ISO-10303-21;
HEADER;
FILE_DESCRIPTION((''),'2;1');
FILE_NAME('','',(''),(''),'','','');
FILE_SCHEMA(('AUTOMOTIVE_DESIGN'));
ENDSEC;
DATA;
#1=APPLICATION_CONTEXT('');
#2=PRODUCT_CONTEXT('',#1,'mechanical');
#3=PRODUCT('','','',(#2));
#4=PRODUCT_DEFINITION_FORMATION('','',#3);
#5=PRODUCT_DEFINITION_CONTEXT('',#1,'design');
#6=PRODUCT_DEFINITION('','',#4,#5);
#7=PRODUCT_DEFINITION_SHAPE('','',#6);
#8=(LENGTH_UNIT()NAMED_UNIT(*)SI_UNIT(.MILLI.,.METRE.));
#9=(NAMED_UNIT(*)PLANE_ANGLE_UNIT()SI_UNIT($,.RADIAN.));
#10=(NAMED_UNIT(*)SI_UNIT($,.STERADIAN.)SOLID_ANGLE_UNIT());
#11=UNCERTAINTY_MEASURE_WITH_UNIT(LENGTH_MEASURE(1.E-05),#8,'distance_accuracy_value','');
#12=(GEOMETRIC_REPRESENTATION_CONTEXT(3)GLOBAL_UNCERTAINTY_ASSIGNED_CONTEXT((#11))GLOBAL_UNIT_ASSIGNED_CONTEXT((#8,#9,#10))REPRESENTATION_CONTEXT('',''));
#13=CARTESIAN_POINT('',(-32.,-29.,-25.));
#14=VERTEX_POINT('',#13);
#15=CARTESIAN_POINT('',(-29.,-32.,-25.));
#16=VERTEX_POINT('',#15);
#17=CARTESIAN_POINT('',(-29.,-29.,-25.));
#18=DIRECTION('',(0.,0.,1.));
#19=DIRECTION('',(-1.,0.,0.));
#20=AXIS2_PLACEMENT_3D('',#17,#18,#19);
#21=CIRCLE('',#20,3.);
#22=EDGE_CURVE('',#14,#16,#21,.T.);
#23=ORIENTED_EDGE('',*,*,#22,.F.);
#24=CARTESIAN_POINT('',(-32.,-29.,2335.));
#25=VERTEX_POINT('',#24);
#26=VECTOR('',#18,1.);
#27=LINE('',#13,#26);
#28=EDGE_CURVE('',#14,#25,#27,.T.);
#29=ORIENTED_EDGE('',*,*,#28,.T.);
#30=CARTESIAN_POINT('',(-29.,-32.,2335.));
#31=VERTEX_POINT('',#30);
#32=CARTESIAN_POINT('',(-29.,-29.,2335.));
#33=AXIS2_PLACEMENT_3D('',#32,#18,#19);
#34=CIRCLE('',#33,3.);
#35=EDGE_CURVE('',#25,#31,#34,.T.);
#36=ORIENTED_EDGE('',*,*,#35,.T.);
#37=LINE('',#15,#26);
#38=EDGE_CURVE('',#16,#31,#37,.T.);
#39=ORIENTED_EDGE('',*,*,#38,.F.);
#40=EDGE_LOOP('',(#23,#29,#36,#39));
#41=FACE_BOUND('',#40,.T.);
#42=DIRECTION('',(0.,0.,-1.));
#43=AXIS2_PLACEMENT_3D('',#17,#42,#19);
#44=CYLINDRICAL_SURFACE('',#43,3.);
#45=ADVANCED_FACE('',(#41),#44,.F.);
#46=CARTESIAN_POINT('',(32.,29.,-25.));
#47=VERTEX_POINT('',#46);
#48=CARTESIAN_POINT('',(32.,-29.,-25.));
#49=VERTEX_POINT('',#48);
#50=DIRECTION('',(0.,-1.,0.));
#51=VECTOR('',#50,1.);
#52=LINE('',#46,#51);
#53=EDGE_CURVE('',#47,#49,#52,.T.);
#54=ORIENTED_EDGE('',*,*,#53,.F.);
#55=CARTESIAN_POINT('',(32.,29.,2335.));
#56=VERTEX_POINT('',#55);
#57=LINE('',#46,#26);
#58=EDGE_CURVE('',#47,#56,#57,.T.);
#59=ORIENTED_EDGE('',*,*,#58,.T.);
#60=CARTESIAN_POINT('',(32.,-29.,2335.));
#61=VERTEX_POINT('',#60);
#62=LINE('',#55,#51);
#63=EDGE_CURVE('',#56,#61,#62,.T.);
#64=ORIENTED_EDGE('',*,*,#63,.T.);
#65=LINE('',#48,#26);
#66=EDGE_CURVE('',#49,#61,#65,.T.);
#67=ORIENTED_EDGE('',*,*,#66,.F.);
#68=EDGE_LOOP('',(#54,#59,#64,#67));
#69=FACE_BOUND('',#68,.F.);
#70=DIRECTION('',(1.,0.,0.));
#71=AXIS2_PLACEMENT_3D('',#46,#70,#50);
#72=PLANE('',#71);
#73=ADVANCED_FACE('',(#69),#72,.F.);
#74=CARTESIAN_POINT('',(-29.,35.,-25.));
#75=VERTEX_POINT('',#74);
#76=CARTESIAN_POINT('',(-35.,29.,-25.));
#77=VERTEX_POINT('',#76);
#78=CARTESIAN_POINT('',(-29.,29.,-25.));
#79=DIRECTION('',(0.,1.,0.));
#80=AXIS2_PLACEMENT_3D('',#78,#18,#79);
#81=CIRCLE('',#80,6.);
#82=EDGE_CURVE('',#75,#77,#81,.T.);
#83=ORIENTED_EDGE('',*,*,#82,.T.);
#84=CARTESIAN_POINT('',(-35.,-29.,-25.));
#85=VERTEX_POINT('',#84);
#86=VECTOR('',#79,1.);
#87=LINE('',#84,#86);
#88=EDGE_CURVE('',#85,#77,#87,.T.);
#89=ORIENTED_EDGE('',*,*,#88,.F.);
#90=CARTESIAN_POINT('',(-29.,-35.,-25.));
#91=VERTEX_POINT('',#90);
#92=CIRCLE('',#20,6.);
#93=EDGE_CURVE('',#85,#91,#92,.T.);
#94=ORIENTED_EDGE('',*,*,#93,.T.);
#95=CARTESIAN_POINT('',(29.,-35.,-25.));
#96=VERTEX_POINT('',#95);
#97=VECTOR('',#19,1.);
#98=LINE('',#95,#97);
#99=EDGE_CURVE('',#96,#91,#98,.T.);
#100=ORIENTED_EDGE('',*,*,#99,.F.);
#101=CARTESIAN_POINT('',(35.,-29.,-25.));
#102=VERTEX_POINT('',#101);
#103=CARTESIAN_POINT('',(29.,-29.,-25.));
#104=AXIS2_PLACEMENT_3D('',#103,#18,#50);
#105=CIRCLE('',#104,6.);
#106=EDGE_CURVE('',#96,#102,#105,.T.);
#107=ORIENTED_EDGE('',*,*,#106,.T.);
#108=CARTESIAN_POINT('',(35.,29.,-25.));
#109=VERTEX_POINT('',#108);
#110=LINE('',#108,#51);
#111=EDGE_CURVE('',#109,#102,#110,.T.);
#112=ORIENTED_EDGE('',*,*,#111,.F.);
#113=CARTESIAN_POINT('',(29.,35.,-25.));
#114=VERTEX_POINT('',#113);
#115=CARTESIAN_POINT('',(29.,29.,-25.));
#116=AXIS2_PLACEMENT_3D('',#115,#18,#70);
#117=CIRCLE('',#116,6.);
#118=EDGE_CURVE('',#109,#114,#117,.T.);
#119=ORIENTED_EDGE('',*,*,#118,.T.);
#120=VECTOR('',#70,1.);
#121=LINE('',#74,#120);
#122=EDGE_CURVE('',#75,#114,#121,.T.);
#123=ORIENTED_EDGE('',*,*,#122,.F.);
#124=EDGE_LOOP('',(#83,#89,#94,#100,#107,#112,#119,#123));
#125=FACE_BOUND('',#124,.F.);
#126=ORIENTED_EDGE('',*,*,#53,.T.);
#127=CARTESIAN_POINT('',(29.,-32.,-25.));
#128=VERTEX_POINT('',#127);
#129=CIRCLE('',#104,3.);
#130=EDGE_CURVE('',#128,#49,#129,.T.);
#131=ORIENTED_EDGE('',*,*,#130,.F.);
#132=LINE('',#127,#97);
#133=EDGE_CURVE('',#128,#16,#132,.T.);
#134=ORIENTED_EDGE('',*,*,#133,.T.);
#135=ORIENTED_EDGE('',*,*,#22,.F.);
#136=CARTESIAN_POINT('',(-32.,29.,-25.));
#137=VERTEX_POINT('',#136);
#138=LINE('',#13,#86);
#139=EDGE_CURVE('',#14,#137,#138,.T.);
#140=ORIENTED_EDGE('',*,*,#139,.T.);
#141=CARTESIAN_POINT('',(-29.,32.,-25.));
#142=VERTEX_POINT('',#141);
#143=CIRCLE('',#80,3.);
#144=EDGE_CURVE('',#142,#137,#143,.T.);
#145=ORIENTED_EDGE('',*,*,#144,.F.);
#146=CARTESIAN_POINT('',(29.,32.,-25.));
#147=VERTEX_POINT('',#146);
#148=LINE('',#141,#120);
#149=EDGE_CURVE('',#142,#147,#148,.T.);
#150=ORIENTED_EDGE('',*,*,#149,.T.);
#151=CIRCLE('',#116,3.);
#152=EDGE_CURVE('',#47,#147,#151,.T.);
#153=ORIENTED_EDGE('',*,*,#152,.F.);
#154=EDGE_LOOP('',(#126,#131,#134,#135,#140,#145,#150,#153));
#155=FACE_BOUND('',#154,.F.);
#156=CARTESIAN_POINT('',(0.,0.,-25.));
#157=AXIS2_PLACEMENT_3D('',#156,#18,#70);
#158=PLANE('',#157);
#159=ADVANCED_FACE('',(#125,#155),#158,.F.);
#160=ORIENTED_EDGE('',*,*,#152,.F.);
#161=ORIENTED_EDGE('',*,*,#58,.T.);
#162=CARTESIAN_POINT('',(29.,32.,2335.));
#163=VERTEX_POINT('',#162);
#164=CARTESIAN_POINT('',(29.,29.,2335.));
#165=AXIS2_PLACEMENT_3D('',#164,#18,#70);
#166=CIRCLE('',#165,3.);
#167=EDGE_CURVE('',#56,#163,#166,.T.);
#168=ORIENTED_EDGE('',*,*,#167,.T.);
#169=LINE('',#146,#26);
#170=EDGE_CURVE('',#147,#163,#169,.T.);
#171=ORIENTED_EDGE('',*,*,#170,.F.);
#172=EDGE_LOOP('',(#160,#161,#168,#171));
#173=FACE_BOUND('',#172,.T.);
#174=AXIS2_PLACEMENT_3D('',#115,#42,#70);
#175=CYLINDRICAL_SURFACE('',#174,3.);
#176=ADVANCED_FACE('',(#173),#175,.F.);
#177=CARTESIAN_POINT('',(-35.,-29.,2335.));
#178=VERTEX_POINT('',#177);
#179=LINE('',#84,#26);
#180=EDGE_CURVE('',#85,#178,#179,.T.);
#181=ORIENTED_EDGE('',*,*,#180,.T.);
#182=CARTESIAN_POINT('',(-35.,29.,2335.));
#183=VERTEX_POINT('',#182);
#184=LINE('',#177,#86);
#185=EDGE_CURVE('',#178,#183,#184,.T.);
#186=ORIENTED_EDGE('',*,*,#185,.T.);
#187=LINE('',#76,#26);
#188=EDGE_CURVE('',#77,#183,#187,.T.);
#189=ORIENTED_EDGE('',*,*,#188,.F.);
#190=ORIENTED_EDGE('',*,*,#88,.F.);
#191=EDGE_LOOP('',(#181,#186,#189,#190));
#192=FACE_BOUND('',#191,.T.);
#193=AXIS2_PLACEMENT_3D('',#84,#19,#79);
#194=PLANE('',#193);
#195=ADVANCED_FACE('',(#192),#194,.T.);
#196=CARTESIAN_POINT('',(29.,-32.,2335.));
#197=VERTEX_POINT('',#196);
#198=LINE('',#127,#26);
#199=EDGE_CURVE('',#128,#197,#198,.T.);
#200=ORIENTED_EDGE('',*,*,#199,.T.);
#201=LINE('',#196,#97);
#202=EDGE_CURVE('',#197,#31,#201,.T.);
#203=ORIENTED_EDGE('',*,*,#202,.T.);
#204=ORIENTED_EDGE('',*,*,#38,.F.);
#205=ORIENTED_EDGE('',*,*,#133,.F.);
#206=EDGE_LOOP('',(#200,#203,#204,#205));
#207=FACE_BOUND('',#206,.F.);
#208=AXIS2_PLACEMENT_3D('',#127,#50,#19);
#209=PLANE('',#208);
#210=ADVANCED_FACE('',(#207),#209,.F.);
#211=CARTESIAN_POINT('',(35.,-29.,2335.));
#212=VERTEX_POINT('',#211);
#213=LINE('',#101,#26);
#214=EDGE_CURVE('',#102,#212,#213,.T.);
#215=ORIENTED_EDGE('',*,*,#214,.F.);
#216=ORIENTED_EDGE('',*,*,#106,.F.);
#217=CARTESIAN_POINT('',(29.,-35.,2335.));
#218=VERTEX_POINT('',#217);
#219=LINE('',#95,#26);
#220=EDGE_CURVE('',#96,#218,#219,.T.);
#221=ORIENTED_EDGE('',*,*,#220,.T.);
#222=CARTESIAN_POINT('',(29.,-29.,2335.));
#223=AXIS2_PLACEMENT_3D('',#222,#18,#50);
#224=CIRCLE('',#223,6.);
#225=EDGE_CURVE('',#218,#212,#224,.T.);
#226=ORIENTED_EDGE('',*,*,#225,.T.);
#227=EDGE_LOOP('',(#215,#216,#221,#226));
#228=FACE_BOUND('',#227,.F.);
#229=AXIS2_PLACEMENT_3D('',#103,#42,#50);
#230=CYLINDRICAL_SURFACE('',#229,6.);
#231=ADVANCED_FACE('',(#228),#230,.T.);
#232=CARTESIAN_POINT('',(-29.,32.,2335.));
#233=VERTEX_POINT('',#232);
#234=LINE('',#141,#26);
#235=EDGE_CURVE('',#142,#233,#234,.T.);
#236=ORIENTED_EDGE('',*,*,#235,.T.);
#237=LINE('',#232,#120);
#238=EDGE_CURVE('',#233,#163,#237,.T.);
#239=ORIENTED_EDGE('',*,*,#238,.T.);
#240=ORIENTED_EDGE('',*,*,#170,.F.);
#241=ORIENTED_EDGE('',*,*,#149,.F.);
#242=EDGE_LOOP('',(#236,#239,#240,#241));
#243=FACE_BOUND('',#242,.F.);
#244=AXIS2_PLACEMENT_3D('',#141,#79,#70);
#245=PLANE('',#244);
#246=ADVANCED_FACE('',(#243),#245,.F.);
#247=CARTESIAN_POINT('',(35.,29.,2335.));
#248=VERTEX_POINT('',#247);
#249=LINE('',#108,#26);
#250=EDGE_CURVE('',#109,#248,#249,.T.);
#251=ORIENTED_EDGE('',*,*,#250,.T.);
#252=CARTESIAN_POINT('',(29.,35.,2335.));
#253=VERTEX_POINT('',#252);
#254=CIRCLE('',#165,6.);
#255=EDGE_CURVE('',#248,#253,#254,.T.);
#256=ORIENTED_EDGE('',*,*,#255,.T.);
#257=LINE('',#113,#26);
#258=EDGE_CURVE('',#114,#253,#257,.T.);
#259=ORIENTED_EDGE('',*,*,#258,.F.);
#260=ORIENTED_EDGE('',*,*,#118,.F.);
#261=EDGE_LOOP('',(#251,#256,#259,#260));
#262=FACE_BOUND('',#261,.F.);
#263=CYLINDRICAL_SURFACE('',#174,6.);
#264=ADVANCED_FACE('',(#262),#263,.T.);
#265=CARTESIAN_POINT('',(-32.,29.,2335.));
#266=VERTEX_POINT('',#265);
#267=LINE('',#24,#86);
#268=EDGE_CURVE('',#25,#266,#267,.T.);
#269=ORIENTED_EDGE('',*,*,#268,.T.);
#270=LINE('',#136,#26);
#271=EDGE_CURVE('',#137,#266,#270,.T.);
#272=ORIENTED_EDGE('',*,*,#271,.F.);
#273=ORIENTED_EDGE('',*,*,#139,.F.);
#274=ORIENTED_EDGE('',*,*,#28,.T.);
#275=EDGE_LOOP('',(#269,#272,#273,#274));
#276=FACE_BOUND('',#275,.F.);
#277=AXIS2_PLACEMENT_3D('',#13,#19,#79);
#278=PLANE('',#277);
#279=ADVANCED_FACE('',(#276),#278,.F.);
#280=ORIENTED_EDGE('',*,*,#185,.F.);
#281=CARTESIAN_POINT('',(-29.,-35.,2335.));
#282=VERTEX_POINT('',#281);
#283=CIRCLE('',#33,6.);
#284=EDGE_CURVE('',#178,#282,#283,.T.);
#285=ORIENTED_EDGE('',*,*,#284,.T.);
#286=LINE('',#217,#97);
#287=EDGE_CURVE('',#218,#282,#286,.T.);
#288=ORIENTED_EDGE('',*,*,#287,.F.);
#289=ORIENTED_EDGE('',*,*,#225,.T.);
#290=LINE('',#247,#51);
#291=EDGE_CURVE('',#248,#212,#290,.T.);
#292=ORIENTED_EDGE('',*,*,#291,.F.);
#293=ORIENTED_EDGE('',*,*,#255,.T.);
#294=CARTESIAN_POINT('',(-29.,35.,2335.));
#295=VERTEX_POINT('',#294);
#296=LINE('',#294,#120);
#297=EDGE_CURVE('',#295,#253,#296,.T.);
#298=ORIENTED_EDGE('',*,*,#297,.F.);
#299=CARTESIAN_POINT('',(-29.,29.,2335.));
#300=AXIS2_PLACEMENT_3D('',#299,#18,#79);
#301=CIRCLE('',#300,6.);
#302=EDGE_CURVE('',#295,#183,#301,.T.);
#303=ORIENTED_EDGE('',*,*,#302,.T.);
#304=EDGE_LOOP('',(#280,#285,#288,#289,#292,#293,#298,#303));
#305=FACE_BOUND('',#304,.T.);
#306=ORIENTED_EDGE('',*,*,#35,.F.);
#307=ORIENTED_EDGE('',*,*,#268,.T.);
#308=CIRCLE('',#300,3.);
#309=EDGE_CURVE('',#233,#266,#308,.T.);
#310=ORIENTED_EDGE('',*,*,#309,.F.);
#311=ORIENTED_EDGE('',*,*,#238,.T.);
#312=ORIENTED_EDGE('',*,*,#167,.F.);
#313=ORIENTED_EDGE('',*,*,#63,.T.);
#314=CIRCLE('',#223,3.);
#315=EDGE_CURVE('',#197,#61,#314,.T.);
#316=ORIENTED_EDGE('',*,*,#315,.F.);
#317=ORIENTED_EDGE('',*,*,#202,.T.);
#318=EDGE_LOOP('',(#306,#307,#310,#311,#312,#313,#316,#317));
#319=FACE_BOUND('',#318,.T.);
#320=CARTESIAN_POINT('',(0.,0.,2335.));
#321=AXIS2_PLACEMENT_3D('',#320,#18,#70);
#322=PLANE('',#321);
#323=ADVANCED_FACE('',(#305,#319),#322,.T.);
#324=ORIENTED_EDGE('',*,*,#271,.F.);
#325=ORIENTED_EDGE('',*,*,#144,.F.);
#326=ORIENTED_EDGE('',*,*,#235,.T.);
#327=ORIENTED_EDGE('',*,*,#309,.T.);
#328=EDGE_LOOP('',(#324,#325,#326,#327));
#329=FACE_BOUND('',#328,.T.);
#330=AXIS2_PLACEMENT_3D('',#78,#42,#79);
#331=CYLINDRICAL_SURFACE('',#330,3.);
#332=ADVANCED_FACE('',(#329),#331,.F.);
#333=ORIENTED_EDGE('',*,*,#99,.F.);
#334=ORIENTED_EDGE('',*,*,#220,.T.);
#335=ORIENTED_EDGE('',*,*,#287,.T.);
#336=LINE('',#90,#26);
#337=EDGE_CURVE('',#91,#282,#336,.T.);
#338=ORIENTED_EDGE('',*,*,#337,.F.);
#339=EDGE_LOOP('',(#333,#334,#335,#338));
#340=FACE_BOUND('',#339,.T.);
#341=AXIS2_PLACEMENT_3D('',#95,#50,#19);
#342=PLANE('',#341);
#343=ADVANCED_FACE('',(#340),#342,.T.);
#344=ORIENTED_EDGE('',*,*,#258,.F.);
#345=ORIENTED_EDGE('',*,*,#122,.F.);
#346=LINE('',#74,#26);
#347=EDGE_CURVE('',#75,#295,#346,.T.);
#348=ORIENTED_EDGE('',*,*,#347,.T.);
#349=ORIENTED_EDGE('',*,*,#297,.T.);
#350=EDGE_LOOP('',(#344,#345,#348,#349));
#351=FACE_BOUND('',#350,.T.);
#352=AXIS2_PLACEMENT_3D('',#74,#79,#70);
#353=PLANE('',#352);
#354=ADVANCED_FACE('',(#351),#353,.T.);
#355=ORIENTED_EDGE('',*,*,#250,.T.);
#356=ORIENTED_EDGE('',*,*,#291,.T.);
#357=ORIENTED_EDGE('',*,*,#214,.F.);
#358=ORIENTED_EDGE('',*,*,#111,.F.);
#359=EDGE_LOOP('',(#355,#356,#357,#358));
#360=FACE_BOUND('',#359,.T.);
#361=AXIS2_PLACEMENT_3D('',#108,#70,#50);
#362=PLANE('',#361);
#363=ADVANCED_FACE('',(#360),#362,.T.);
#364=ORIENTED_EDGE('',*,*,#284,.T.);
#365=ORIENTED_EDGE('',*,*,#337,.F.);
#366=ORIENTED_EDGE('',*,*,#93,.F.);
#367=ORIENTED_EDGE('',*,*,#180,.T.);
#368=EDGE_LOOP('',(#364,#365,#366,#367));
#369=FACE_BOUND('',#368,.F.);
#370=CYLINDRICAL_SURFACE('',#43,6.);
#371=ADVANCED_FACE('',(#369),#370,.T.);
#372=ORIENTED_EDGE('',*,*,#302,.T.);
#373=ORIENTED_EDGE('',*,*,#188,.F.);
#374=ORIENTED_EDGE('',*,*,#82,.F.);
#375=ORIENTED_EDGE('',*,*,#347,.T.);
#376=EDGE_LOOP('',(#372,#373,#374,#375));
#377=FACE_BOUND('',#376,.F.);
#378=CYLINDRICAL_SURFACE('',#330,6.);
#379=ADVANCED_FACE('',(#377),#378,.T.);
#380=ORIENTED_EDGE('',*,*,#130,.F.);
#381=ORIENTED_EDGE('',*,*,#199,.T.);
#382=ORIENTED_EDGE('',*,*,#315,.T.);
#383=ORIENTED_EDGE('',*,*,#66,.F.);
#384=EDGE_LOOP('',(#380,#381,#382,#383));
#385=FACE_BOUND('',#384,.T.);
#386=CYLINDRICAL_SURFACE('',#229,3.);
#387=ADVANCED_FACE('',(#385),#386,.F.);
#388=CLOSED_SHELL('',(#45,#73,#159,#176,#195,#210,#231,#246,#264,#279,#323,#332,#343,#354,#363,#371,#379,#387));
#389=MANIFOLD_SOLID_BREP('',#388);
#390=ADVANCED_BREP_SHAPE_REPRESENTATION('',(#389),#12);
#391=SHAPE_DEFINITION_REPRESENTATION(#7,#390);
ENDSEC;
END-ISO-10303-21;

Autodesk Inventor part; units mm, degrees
ref_plane "Start Plane" through (0, 0, -25) normal (0, 0, 1) x (1, 0, 0)
ref_plane "End Plane" through (0, 0, 2335) normal (0, 0, 1) x (1, 0, 0)
sketch "Sketch" plane through (0, 0, 0) normal (0, 0, 1) x (1, 0, 0)
  line L0 (-35, -29) -> (-35, 29)
  line L1 (-29, 35) -> (29, 35)
  line L2 (35, 29) -> (35, -29)
  line L3 (29, -35) -> (-29, -35)
  arc A0 (-35, -29) -> (-29, -35) centre (-29, -29) ccw
  arc A1 (35, 29) -> (29, 35) centre (29, 29) ccw
  arc A2 (-29, 35) -> (-35, 29) centre (-29, 29) ccw
  arc A3 (29, -35) -> (35, -29) centre (29, -29) ccw
  arc A4 (-29, 32) -> (-32, 29) centre (-29, 29) ccw
  line L4 (-29, 32) -> (29, 32)
  arc A5 (32, 29) -> (29, 32) centre (29, 29) ccw
  line L5 (32, 29) -> (32, -29)
  arc A6 (29, -32) -> (32, -29) centre (29, -29) ccw
  line L6 (29, -32) -> (-29, -32)
  arc A7 (-32, -29) -> (-29, -32) centre (-29, -29) ccw
  line L7 (-32, -29) -> (-32, 29)
  line L8 (0, 50.7397) -> (0, -50.7397) construction
  line L9 (-50.7397, 0) -> (50.7397, 0) construction
  dimension "d7" = 6
  dimension "d9" = 70
  dimension "d11" = 70
  dimension "d12" = 3
  dimension "d15" = 35
  dimension "d16" = 35
extrude "Body" add sketch "Sketch" along normal up to surface (2360 mm away) from surface at -25
sketch "Sketch3" plane through (0, 0, 0) normal (0, 0, 1) x (1, 0, 0)
  line L0 (0, 0) -> (10, 0)
ref_plane "Work Plane3" through (0, 0, 0) normal (0, -1, 0) x (1, 0, 0)
sketch "Sketch4" plane through (0, 0, 0) normal (0, -1, 0) x (1, 0, 0)
  line L0 (-2, -25) -> (12, -25)
  line L1 (-2, 2335) -> (12, 2335)
  dimension "d18" = 2360
ref_plane "Work Plane4" through (500, -21, -25) normal (0, 0, -1) x (-1, 0, 0)
split "Split1" plane through (500, -21, -25) removes the side toward (0, 0, -1)
ref_plane "Work Plane5" through (0, -21, 2335) normal (0, 0, 1) x (1, 0, 0)
split "Split2" plane through (0, -21, 2335) removes the side toward (0, 0, 1)
equation "\"d7\" = G_IR"
equation "\"d9\" = G_W"
equation "\"d11\" = G_H"
equation "\"d12\" = G_T"
equation "\"d15\" = 0.5 * d9"
equation "\"d16\" = 0.5 * d11"
equation "\"d3\" = G_L"
equation "\"G_W\" = 70"
equation "\"G_H\" = 70"
equation "\"G_T\" = 3"
equation "\"G_IR\" = 6"
equation "\"G_L\" = d18"
equation "\"G_OFFSET_START\" = 25"
equation "\"G_OFFSET_END\" = 25"
equation "\"d13\" = -G_OFFSET_START"
equation "\"d14\" = G_OFFSET_END + B_L"
equation "\"B_L\" = 2310"
properties part number "ISO 10799-2 - 70x70x3 - 2360" material "Steel, Galvanized"
